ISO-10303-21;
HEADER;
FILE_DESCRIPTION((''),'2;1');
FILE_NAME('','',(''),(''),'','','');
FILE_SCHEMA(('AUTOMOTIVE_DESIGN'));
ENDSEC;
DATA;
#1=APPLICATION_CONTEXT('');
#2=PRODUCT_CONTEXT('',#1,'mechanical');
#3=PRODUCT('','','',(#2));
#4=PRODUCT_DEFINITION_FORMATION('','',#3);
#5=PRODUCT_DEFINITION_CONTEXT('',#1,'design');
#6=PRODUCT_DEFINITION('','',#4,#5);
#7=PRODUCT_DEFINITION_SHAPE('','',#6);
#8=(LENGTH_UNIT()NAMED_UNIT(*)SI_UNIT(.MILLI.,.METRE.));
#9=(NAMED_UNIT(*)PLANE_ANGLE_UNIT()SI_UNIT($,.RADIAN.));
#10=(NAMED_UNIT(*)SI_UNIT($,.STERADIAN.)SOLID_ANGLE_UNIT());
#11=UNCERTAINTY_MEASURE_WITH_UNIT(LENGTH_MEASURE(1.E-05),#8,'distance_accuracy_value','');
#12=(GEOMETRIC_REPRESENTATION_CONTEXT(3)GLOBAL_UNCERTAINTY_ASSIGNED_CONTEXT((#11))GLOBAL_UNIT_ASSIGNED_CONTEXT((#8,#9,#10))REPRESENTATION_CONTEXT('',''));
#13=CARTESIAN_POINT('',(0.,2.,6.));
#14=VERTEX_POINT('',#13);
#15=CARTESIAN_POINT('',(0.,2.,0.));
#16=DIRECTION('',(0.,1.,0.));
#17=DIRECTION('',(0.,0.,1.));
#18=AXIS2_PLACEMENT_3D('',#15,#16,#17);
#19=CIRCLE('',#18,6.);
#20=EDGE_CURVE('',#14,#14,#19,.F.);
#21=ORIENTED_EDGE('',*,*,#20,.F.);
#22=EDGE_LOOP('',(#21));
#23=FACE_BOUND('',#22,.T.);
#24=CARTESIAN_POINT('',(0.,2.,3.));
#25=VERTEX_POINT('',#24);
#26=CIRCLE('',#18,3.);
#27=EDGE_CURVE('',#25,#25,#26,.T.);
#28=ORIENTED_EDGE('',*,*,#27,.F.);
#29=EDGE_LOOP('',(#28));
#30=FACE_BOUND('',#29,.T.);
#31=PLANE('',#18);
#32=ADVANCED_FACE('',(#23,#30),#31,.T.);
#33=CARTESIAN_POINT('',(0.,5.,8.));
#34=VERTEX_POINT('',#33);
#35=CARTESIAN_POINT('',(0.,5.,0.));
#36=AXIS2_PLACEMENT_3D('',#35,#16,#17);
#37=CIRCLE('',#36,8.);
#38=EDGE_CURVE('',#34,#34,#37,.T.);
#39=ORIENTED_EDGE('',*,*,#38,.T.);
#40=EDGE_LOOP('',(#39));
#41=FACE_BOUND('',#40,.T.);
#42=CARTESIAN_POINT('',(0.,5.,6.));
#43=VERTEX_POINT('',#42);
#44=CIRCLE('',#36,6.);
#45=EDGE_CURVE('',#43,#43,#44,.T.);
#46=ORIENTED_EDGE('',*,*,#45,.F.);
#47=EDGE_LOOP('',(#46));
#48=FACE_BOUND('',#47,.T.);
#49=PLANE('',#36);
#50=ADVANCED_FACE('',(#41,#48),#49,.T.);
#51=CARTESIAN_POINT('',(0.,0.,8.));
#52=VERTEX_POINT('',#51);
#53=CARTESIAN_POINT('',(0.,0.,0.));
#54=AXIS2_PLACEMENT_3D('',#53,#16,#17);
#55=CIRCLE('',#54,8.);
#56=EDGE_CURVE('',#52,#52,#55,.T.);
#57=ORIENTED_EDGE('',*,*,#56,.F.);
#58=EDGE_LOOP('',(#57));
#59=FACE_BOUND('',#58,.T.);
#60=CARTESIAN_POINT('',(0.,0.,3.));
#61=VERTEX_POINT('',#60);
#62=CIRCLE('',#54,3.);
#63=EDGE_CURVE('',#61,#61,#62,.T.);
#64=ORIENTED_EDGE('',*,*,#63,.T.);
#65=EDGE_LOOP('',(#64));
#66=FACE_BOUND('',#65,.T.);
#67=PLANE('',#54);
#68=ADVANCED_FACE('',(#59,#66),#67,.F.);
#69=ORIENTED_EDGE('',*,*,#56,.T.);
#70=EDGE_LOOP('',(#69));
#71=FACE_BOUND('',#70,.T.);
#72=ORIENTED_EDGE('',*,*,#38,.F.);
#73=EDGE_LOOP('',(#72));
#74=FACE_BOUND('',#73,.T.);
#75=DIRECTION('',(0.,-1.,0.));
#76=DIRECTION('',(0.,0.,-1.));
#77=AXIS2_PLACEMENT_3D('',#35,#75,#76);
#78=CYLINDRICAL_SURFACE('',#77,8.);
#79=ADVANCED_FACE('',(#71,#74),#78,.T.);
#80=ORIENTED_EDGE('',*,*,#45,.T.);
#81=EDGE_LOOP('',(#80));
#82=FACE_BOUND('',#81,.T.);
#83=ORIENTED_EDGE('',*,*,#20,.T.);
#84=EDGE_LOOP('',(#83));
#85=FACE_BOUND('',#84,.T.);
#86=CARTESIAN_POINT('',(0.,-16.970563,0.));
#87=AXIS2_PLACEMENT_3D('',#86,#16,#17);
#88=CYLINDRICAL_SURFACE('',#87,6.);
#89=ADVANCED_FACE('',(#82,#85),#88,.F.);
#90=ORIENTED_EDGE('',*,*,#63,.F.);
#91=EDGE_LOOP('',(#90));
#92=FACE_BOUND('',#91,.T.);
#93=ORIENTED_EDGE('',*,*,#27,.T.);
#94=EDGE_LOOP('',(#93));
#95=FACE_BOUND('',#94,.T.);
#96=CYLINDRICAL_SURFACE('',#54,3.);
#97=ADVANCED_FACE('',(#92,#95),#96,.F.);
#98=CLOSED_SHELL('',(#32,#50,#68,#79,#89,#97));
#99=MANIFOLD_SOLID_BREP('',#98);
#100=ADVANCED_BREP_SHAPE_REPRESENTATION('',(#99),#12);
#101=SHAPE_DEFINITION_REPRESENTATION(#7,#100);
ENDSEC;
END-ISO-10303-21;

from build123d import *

# Parameters (mm, degrees)
SKETCH_1_R          = 8
EXTRUDE_1_DEPTH     = 5
SKETCH_2_R          = 6
CUT_EXTRUDE_1_DEPTH = 3
SKETCH_3_R          = 3
CUT_EXTRUDE_2_DEPTH = 12.704699911


with BuildPart() as part:
    # 草图1 → 凸台-拉伸1 (new body)
    with BuildSketch(Plane(origin=(0, 0, 0), x_dir=(1, 0, 0), z_dir=(0, 1, 0))):
        with Locations(Location((0, 0, 0), (0, 0, 270))):
            Circle(SKETCH_1_R)
    extrude(amount=EXTRUDE_1_DEPTH)

    # 草图2 → 切除-拉伸1 (cut)
    with BuildSketch(Plane(origin=(0, 5, 0), x_dir=(1, 0, 0), z_dir=(0, 1, 0))):
        with Locations(Location((0, 0, 0), (0, 0, 270))):
            Circle(SKETCH_2_R)
    extrude(amount=-CUT_EXTRUDE_1_DEPTH, mode=Mode.SUBTRACT)

    # 草图3 → 切除-拉伸2 (cut, through all)
    with BuildSketch(Plane(origin=(0, 2, 0), x_dir=(1, 0, 0), z_dir=(0, 1, 0))):
        with Locations(Location((0, 0, 0), (0, 0, 270))):
            Circle(SKETCH_3_R)
    extrude(amount=-CUT_EXTRUDE_2_DEPTH, mode=Mode.SUBTRACT)


solid = part.part
